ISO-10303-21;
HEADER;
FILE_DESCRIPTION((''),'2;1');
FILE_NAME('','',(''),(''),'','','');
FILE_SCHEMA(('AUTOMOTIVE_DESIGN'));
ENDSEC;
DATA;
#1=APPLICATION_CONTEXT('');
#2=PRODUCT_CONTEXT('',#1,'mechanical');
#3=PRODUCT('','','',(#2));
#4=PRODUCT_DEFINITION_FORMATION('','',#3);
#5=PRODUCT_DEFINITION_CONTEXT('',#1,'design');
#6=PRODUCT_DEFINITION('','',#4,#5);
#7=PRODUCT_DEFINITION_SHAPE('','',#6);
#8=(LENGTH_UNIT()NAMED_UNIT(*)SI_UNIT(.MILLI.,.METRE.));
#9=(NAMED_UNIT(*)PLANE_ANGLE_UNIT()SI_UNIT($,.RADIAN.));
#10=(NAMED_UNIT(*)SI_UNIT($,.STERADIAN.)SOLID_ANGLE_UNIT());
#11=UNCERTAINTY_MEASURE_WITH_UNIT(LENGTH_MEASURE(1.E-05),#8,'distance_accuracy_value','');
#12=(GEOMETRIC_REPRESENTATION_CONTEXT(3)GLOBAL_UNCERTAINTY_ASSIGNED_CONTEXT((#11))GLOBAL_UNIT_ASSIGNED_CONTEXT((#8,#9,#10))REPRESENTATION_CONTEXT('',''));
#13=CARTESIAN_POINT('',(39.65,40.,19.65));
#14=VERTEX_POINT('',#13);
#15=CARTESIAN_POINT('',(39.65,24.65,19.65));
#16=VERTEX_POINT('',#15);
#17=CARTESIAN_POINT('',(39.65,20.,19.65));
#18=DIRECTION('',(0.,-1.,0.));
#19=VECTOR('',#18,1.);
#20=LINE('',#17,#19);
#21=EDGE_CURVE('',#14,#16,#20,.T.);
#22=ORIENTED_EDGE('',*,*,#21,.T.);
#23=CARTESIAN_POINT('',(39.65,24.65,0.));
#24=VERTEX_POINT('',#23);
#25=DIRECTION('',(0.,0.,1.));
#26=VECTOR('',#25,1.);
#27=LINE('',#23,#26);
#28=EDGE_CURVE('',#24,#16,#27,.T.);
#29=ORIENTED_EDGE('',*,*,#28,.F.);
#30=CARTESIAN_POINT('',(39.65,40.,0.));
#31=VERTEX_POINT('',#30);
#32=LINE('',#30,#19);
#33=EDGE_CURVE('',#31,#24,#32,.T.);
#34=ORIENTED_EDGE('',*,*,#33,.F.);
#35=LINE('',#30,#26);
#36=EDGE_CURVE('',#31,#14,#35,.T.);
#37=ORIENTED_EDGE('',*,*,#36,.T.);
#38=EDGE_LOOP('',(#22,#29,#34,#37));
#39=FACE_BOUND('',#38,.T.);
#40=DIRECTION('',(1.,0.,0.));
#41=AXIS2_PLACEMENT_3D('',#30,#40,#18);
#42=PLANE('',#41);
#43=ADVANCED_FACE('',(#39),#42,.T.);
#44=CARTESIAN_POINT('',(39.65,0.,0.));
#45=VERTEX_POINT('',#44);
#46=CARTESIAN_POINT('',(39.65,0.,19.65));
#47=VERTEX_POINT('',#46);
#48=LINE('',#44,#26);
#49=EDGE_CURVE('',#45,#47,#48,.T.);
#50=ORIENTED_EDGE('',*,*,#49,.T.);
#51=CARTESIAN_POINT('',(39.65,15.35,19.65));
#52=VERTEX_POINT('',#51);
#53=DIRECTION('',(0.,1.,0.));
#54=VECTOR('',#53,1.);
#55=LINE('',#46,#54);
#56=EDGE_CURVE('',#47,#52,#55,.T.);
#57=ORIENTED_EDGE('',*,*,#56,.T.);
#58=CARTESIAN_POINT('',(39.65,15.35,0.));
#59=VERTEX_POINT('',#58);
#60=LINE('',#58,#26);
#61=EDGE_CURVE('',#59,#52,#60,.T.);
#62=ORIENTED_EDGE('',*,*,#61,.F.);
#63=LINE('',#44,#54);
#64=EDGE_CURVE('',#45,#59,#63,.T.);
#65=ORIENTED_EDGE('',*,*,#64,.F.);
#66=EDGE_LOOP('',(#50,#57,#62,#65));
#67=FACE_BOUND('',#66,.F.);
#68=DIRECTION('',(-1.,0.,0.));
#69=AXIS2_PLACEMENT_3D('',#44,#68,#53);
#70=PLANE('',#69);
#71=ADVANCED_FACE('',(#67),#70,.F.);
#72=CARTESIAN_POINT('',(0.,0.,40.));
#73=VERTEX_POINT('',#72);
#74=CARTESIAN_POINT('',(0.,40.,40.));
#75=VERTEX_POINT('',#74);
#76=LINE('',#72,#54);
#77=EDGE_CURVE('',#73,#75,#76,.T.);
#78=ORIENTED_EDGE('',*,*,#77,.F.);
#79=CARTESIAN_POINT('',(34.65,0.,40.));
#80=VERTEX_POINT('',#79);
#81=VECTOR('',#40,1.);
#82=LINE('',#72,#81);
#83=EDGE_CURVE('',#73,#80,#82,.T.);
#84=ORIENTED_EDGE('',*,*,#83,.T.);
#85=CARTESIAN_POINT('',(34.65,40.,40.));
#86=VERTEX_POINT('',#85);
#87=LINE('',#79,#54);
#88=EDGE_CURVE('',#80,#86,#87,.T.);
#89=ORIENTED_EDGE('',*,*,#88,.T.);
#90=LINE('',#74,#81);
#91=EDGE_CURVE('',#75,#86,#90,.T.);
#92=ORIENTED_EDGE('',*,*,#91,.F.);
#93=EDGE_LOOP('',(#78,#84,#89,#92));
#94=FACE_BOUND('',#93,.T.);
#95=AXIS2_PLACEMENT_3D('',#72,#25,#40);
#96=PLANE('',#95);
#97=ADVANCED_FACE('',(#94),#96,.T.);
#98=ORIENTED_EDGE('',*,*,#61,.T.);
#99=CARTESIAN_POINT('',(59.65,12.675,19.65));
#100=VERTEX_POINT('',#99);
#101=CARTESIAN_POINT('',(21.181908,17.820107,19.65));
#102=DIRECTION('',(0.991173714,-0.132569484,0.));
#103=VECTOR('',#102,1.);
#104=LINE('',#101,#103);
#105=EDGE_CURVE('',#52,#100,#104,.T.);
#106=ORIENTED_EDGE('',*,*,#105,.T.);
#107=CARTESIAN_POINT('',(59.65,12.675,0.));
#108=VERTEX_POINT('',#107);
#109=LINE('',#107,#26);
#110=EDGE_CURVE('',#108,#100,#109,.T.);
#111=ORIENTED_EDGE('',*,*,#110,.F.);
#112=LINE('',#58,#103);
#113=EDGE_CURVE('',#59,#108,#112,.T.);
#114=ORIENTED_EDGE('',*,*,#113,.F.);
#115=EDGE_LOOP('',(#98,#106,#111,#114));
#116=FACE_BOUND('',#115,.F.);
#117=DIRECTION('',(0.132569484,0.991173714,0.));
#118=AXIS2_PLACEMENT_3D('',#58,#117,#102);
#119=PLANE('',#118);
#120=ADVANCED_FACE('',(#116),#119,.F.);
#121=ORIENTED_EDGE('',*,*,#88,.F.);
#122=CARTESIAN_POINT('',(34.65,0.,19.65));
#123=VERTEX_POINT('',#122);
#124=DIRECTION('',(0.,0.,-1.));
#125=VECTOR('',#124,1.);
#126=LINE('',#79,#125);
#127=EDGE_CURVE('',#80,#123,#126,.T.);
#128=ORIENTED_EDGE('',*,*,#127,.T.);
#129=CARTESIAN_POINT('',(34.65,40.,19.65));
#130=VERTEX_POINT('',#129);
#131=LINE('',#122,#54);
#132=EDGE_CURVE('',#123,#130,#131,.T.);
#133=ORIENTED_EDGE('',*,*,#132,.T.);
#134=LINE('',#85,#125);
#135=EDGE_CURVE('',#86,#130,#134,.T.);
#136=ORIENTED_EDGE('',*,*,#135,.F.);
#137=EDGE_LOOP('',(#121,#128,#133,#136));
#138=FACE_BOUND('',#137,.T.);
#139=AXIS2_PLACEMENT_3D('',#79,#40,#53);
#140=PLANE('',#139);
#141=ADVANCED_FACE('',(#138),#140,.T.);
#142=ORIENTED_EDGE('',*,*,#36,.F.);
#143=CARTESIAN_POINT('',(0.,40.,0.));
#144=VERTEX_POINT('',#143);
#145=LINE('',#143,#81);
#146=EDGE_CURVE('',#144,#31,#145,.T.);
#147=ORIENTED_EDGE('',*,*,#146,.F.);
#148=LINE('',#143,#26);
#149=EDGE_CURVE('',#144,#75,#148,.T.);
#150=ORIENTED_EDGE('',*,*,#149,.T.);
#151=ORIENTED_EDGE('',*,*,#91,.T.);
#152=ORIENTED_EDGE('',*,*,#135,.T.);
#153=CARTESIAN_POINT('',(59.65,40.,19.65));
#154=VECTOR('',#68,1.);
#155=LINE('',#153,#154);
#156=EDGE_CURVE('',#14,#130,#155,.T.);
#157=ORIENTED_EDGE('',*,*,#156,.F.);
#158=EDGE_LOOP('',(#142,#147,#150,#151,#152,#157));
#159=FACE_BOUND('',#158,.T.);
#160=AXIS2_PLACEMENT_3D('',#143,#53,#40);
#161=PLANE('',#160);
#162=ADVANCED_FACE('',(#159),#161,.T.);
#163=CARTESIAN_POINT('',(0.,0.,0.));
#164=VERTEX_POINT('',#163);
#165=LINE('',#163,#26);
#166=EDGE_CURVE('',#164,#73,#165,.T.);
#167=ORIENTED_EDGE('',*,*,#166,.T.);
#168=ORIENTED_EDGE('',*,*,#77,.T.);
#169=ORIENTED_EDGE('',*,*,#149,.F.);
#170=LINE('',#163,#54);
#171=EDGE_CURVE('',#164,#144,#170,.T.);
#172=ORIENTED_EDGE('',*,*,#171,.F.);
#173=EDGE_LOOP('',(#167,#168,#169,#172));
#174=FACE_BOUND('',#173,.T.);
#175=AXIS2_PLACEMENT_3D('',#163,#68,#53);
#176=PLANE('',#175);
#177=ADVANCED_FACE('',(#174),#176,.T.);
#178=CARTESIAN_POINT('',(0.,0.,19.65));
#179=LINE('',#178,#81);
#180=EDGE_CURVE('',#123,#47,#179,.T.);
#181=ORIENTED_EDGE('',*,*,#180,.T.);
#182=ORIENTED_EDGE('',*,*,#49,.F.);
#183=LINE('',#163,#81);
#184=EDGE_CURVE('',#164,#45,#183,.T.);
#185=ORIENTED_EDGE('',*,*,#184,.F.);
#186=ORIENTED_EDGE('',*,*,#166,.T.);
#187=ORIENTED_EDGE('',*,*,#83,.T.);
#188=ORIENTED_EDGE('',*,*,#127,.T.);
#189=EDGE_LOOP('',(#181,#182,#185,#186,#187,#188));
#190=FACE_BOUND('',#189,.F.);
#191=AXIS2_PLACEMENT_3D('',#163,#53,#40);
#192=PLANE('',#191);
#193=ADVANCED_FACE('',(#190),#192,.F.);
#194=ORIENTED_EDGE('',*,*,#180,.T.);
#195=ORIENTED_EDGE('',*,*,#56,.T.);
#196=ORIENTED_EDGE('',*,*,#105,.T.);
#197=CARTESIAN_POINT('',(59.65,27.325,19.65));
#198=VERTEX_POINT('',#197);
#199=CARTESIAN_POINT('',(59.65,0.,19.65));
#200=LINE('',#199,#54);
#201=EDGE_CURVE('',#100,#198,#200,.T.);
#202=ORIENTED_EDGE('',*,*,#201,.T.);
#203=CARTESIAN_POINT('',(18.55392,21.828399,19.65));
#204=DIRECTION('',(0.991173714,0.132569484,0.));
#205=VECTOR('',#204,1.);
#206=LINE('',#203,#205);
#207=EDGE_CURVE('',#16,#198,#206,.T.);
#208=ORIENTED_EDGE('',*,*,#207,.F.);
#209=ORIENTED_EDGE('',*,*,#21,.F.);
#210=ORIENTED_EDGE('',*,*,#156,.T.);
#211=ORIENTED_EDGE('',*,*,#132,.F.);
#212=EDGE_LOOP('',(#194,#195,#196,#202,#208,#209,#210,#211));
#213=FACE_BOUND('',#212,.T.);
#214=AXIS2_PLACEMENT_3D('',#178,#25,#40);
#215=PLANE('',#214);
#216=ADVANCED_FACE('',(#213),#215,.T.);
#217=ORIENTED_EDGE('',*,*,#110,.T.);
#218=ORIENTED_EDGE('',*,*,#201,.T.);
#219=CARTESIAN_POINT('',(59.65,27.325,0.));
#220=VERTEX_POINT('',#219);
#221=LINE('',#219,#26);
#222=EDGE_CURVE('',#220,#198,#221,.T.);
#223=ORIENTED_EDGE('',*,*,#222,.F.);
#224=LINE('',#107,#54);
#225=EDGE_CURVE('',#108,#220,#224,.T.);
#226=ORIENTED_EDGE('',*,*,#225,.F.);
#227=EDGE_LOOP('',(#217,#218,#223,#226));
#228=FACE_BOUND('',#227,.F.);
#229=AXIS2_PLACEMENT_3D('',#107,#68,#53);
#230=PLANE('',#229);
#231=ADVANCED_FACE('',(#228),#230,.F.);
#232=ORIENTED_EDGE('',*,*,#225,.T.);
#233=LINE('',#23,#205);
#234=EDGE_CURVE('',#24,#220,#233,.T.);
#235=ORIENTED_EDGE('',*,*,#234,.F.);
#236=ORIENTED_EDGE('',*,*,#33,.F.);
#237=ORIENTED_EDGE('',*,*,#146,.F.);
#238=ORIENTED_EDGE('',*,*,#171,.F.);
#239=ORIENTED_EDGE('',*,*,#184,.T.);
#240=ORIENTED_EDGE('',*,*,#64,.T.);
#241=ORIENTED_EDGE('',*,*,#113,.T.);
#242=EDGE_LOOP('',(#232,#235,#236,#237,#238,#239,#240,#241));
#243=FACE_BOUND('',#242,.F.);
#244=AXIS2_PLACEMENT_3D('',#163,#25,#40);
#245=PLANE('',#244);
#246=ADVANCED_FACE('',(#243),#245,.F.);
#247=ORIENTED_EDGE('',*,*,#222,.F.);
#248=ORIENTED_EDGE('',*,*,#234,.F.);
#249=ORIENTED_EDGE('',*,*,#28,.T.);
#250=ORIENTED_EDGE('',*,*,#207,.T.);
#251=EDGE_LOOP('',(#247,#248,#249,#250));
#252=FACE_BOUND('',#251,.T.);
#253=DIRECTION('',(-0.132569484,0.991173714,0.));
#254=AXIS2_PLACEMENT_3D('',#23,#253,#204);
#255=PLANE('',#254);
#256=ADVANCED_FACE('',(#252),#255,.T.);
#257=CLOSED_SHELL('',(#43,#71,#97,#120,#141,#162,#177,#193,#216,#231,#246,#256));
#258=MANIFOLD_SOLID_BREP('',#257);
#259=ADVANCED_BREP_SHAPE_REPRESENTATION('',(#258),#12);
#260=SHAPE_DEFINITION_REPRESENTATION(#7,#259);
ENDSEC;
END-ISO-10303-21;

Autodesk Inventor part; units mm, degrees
ref_plane "YZ Plane" through (0, 0, 0) normal (1, 0, 0) x (0, 1, 0)
ref_plane "XZ Plane" through (0, 0, 0) normal (0, 1, 0) x (-1, 0, 0)
ref_plane "XY Plane" through (0, 0, 0) normal (0, 0, 1) x (1, 0, 0)
sketch "Boceto1" plane through (0, 0, 0) normal (0, 0, 1) x (1, 0, 0)
  line L0 (0, 0) -> (0, 40)
  line L1 (0, 40) -> (39.65, 40)
  line L2 (0, 0) -> (39.65, 0)
  line L3 (39.65, 0) -> (39.65, 15.35)
  line L4 (39.65, 40) -> (39.65, 24.65)
  line L5 (39.65, 0) -> (59.65, 0) construction
  line L6 (39.65, 40) -> (59.65, 40) construction
  line L7 (59.65, 40) -> (59.65, 27.325) construction
  line L8 (59.65, 0) -> (59.65, 12.675) construction
  line L9 (39.65, 24.65) -> (59.65, 27.325)
  line L10 (39.65, 15.35) -> (59.65, 12.675)
  line L11 (59.65, 12.675) -> (59.65, 27.325)
  dimension "d0" = 40
  dimension "d1" = 39.65
  dimension "d2" = 39.65
  dimension "d3" = 15.35
  dimension "d4" = 15.35
  dimension "d5" = 20
  dimension "d6" = 20
  dimension "d7" = 12.675
  dimension "d8" = 12.675
extrude "Extrusión1" add sketch "Boceto1" along normal blind 40
sketch "Boceto2" plane through (0, 0, 40) normal (0, 0, 1) x (1, 0, 0)
  line L0 (0, 0) -> (34.65, 0)
  line L1 (0, 0) -> (39.65, 0) projected
  line L2 (34.65, 0) -> (59.65, 0)
  line L3 (59.65, 0) -> (59.65, 40)
  line L4 (59.65, 40) -> (34.65, 40)
  line L5 (39.65, 40) -> (0, 40) projected
  line L6 (34.65, 0) -> (34.65, 40)
  dimension "d11" = 34.65
  dimension "d12" = 25
  dimension "d13" = 40
  dimension "d14" = 25
extrude "Extrusión2" cut sketch "Boceto2" against normal blind 20.35
equation "\"d12\" = Ancho_corte"
equation "\"d14\" = Ancho_corte"
equation "\"Largo_corte\" = 35"
equation "\"Ancho_corte\" = 25"
equation "\"Angulo_0\" = 0"
properties part number "Macho_parametrizado"
